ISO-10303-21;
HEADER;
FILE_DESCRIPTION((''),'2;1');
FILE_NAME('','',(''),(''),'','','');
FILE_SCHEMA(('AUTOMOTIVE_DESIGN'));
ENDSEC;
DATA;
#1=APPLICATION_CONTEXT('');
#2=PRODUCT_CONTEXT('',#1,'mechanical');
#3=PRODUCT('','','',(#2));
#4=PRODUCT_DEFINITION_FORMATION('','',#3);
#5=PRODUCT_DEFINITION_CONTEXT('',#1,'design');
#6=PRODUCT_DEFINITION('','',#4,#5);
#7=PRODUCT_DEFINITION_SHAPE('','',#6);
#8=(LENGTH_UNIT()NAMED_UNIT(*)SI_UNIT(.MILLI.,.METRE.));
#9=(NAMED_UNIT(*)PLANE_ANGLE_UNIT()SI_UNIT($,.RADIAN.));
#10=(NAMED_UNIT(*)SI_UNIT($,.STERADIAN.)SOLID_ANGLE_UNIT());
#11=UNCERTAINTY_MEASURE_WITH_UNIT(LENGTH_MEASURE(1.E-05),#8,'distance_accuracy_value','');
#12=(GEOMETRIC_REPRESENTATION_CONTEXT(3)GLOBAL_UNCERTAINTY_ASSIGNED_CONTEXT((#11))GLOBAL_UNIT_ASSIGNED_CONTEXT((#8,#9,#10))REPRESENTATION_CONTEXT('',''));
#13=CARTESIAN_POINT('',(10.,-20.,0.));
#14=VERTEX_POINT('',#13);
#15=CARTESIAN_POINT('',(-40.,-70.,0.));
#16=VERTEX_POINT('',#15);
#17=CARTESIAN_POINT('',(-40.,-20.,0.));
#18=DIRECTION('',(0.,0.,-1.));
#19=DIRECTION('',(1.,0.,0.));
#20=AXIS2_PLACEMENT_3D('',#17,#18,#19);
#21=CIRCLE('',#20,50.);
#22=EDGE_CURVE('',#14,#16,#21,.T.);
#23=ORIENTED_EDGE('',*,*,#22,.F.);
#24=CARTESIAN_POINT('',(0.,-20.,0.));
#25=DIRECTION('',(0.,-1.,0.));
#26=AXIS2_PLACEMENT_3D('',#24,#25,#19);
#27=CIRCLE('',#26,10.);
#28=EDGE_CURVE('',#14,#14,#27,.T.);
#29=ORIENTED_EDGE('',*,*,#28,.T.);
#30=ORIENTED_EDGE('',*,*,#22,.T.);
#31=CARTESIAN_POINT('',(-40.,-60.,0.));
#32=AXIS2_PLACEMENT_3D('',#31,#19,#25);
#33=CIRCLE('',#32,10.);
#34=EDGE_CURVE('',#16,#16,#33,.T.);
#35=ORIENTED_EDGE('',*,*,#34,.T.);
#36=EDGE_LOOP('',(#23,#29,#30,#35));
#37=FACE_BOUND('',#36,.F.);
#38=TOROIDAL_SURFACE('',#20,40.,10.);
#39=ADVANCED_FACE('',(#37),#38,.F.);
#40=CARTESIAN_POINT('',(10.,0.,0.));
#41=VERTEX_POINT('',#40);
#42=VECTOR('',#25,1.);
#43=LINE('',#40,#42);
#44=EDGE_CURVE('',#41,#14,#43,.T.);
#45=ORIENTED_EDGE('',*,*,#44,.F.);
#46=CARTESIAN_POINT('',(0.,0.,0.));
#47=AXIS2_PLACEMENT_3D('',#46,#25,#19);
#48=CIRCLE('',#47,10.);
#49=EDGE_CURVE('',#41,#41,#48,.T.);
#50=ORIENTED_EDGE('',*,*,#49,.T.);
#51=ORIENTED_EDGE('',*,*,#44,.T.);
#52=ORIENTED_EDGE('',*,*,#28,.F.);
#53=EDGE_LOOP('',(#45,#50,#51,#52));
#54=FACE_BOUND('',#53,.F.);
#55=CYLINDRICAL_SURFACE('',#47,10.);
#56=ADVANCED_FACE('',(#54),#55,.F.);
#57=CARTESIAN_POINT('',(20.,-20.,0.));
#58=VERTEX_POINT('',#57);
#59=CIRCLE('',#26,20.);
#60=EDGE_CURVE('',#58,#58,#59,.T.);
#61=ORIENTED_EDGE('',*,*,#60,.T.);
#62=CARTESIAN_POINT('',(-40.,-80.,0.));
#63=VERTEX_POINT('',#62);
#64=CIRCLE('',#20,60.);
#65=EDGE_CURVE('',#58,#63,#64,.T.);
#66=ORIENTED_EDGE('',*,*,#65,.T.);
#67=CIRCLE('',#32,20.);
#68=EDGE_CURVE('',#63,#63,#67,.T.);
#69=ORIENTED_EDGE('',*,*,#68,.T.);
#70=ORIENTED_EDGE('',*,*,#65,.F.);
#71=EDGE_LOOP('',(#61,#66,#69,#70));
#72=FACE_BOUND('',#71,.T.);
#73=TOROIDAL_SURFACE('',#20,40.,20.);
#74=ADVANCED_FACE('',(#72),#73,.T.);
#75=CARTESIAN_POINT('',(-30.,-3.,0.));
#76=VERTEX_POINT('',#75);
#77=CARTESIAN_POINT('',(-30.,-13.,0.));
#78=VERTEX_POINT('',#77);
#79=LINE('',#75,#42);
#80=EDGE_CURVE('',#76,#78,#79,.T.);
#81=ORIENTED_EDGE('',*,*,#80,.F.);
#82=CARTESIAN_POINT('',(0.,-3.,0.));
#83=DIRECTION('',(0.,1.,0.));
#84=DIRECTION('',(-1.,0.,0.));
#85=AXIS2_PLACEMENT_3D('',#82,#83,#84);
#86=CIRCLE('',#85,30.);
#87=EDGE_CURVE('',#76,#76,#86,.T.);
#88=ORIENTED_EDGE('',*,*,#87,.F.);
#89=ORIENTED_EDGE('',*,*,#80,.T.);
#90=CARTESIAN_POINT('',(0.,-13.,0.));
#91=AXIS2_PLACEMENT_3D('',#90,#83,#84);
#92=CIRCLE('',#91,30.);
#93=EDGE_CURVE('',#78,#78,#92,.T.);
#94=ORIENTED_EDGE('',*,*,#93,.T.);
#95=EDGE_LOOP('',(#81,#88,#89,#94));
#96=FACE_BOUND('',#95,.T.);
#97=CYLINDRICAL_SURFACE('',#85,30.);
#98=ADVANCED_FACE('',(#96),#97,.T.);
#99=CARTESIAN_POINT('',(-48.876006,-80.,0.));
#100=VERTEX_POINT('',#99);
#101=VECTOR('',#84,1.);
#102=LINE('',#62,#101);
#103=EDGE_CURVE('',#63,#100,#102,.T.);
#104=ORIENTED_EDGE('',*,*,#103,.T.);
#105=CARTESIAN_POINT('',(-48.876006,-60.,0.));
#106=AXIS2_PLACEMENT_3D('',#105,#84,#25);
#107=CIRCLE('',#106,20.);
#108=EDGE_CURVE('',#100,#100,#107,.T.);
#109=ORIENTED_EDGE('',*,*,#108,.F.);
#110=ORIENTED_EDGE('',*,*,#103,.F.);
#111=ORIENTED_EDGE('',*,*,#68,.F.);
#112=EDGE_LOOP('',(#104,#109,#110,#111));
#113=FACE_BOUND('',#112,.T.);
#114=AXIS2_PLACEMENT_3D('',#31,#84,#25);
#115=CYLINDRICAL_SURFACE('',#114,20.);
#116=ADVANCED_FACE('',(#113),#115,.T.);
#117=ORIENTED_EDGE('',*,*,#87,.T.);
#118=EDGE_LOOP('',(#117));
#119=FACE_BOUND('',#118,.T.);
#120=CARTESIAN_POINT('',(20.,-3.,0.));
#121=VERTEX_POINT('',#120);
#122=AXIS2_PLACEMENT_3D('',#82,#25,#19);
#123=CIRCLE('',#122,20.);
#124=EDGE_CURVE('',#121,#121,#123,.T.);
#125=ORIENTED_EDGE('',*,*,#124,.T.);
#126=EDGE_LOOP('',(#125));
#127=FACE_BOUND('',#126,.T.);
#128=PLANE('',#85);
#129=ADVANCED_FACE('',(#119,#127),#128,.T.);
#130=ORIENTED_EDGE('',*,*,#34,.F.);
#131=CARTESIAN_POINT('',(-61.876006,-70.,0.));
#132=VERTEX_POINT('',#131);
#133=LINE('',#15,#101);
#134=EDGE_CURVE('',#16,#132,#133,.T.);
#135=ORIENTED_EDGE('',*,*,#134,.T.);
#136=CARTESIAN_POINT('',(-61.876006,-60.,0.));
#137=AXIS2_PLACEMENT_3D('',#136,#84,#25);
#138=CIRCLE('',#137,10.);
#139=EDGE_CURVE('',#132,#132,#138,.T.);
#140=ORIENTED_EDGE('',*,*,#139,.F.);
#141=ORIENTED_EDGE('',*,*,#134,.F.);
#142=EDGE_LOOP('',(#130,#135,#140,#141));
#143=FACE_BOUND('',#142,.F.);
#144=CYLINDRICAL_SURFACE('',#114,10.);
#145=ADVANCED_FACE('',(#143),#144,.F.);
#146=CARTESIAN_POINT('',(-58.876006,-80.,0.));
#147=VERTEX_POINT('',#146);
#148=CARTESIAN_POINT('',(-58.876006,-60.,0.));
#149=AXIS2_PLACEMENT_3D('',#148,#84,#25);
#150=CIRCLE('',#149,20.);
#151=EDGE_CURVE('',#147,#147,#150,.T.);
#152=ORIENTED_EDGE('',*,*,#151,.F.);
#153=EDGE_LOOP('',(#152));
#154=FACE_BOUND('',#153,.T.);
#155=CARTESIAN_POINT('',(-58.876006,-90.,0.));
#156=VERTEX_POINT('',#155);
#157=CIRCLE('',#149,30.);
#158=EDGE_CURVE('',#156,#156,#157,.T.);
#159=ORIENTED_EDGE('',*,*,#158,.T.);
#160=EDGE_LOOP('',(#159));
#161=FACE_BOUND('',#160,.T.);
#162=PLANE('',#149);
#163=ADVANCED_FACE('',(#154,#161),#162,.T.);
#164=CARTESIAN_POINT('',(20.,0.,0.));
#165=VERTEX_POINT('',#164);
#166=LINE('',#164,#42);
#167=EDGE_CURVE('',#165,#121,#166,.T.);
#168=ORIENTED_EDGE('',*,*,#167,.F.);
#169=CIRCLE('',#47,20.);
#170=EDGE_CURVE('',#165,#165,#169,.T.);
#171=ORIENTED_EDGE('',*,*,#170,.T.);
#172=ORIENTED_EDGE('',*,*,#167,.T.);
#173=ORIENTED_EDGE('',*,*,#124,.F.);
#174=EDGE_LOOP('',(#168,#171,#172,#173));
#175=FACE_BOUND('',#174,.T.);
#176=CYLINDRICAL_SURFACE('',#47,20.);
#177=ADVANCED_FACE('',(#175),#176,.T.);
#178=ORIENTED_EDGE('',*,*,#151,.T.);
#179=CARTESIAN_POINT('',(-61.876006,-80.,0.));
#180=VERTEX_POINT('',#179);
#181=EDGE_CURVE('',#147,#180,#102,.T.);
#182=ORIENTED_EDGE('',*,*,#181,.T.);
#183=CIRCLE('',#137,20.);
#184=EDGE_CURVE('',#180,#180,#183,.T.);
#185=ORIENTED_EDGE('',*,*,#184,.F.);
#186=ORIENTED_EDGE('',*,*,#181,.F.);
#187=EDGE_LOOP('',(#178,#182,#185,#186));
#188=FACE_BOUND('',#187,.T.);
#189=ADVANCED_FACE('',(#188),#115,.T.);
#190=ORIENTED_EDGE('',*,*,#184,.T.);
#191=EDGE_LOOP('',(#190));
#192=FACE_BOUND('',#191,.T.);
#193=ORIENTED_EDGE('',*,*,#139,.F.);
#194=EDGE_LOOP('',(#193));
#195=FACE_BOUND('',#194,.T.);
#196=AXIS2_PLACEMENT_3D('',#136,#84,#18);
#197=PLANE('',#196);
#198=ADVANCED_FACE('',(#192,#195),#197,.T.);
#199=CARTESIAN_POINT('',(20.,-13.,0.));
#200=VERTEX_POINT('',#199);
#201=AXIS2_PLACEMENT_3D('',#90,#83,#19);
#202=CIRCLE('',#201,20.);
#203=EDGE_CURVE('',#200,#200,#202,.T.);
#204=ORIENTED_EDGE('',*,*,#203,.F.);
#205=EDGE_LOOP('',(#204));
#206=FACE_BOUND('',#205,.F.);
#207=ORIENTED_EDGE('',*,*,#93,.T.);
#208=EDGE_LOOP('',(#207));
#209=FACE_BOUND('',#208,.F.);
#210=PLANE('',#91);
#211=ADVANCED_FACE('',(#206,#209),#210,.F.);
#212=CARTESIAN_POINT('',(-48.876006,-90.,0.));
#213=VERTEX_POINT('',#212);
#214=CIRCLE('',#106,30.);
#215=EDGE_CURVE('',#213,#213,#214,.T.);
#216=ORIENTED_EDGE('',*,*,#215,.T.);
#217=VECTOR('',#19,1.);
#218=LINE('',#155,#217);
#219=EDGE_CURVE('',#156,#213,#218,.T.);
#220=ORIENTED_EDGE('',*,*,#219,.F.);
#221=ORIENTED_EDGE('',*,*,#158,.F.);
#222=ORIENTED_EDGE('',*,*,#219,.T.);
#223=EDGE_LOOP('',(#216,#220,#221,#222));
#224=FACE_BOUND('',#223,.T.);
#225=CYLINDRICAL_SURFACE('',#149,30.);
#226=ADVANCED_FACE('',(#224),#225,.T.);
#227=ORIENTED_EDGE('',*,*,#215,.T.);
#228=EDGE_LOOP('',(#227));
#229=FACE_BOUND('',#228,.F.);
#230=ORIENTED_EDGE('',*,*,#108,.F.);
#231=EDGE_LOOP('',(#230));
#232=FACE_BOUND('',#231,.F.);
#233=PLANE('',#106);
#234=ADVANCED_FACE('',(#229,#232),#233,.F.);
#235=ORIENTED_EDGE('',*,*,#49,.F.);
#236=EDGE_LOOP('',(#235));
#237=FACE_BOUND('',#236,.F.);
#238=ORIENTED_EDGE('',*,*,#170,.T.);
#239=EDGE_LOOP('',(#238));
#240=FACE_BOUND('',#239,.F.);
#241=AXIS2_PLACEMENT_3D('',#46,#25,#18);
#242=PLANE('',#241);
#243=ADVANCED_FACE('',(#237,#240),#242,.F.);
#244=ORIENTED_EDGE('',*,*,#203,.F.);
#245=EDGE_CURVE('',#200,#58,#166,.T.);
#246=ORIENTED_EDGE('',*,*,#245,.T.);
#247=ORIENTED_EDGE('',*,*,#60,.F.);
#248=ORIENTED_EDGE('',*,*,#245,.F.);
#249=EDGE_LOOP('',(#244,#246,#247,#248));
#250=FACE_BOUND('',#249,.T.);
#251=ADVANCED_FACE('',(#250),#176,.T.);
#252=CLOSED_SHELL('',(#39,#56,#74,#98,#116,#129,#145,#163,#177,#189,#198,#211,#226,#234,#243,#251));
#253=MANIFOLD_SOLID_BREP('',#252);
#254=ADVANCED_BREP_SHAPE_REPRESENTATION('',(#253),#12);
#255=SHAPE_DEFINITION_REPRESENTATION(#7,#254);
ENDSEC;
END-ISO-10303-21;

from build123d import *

# Parameters (mm, degrees)
F0_R     = 20
F0_R_2   = 10
F4_R     = 30
F4_R_2   = 20
F5_DEPTH = 10
F7_R     = 30
F7_R_2   = 20
F8_DEPTH = 10


with BuildPart() as f2:
    # F2: sweep along a path in F1
    with BuildLine(Plane.XY) as f2_path:
        Line((0, 0), (0, -20))
        ThreePointArc((0, -20), (-11.7157287525, -48.2842712475), (-40, -60))
        Line((-40, -60), (-61.8760055131, -60))
    # F0 (on Front) → F2 (sweep)
    with BuildSketch(Plane.XZ):
        Circle(F0_R)
        Circle(F0_R_2, mode=Mode.SUBTRACT)
    sweep(path=f2_path.line)

    # F4 (on offset) → F5 (join)
    with BuildSketch(Plane(origin=(-58.8760055131, 0, 0), x_dir=(0, -1, 0), z_dir=(-1, 0, 0))):
        with Locations((60, 0)):
            Circle(F4_R)
        with Locations((60, 0)):
            Circle(F4_R_2, mode=Mode.SUBTRACT)
    extrude(amount=-F5_DEPTH)

    # F7 (on offset) → F8 (join)
    with BuildSketch(Plane(origin=(0, -3, 0), x_dir=(-1, 0, 0), z_dir=(0, 1, 0))):
        Circle(F7_R)
        Circle(F7_R_2, mode=Mode.SUBTRACT)
    extrude(amount=-F8_DEPTH)


solid = f2.part
